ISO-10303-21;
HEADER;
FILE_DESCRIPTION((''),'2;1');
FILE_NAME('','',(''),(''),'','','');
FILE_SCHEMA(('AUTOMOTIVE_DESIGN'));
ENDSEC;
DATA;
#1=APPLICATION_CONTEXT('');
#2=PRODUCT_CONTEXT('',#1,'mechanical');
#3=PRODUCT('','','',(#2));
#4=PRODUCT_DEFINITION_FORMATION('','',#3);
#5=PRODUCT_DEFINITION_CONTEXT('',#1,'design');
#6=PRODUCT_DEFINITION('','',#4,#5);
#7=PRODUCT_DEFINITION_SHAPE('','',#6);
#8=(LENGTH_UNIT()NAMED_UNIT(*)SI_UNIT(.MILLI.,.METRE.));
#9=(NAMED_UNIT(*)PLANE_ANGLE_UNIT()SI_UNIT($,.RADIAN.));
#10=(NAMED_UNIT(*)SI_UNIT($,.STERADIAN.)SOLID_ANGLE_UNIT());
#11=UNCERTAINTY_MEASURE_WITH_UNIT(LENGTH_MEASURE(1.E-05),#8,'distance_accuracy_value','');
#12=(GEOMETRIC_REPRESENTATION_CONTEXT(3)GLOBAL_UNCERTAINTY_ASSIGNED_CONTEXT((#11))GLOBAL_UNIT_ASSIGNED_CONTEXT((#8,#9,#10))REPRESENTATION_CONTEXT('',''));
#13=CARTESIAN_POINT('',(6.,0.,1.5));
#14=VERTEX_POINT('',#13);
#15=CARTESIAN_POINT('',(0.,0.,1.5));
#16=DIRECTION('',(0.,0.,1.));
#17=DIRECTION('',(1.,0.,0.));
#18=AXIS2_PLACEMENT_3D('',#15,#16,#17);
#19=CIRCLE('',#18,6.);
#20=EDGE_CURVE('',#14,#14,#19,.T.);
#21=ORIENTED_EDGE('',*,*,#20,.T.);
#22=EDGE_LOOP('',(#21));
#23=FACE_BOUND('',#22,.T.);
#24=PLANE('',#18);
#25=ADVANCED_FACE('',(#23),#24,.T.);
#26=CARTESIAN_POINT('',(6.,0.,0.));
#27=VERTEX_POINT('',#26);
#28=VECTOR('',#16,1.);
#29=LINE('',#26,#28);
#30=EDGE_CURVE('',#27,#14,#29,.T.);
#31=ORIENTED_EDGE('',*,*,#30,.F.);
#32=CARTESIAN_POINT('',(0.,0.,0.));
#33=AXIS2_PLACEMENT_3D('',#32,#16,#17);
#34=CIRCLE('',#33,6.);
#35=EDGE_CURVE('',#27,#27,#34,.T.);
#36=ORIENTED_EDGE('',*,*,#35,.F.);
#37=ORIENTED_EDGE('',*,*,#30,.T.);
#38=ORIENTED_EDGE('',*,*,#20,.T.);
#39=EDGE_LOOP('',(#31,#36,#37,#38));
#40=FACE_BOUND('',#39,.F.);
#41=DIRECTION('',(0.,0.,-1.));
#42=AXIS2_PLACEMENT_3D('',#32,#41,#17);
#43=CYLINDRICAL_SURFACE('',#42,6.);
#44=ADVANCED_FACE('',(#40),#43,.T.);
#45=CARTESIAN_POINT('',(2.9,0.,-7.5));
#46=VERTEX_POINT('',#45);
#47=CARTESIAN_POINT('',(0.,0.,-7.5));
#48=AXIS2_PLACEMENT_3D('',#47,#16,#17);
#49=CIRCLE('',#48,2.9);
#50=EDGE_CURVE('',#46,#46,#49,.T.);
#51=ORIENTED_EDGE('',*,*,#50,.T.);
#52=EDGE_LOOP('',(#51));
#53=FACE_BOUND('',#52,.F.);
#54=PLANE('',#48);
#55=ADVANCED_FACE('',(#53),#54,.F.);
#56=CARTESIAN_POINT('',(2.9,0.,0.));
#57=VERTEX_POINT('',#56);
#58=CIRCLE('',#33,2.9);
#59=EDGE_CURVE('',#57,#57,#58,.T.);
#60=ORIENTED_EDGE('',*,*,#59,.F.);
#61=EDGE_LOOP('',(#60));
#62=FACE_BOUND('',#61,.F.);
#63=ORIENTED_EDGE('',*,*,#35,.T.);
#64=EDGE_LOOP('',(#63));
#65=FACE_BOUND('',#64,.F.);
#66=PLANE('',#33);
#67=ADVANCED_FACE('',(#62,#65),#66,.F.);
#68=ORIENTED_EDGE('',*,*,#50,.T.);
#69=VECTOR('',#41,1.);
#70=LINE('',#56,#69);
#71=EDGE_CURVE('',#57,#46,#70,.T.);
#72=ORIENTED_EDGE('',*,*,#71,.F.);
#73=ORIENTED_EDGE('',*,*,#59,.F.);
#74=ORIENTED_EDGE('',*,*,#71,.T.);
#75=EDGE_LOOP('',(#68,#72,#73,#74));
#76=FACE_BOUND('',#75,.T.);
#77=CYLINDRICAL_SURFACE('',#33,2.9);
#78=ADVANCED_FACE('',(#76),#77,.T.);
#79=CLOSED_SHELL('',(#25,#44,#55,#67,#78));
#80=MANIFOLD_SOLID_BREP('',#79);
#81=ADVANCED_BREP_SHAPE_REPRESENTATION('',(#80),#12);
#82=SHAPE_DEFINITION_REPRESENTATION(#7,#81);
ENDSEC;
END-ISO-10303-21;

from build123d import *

# Parameters (mm, degrees)
F0_R     = 2.9
F1_DEPTH = 7.5
F0_R_2   = 6
F2_DEPTH = 1.5


with BuildPart() as f1:
    # F0 (on Top) → F1 (new body)
    with BuildSketch(Plane.XY):
        Circle(F0_R)
    extrude(amount=-F1_DEPTH)

    # F0 (on Top) → F2 (join)
    with BuildSketch(Plane.XY):
        Circle(F0_R_2)
        Circle(F0_R, mode=Mode.SUBTRACT)
        Circle(F0_R)
    extrude(amount=F2_DEPTH)


solid = f1.part
